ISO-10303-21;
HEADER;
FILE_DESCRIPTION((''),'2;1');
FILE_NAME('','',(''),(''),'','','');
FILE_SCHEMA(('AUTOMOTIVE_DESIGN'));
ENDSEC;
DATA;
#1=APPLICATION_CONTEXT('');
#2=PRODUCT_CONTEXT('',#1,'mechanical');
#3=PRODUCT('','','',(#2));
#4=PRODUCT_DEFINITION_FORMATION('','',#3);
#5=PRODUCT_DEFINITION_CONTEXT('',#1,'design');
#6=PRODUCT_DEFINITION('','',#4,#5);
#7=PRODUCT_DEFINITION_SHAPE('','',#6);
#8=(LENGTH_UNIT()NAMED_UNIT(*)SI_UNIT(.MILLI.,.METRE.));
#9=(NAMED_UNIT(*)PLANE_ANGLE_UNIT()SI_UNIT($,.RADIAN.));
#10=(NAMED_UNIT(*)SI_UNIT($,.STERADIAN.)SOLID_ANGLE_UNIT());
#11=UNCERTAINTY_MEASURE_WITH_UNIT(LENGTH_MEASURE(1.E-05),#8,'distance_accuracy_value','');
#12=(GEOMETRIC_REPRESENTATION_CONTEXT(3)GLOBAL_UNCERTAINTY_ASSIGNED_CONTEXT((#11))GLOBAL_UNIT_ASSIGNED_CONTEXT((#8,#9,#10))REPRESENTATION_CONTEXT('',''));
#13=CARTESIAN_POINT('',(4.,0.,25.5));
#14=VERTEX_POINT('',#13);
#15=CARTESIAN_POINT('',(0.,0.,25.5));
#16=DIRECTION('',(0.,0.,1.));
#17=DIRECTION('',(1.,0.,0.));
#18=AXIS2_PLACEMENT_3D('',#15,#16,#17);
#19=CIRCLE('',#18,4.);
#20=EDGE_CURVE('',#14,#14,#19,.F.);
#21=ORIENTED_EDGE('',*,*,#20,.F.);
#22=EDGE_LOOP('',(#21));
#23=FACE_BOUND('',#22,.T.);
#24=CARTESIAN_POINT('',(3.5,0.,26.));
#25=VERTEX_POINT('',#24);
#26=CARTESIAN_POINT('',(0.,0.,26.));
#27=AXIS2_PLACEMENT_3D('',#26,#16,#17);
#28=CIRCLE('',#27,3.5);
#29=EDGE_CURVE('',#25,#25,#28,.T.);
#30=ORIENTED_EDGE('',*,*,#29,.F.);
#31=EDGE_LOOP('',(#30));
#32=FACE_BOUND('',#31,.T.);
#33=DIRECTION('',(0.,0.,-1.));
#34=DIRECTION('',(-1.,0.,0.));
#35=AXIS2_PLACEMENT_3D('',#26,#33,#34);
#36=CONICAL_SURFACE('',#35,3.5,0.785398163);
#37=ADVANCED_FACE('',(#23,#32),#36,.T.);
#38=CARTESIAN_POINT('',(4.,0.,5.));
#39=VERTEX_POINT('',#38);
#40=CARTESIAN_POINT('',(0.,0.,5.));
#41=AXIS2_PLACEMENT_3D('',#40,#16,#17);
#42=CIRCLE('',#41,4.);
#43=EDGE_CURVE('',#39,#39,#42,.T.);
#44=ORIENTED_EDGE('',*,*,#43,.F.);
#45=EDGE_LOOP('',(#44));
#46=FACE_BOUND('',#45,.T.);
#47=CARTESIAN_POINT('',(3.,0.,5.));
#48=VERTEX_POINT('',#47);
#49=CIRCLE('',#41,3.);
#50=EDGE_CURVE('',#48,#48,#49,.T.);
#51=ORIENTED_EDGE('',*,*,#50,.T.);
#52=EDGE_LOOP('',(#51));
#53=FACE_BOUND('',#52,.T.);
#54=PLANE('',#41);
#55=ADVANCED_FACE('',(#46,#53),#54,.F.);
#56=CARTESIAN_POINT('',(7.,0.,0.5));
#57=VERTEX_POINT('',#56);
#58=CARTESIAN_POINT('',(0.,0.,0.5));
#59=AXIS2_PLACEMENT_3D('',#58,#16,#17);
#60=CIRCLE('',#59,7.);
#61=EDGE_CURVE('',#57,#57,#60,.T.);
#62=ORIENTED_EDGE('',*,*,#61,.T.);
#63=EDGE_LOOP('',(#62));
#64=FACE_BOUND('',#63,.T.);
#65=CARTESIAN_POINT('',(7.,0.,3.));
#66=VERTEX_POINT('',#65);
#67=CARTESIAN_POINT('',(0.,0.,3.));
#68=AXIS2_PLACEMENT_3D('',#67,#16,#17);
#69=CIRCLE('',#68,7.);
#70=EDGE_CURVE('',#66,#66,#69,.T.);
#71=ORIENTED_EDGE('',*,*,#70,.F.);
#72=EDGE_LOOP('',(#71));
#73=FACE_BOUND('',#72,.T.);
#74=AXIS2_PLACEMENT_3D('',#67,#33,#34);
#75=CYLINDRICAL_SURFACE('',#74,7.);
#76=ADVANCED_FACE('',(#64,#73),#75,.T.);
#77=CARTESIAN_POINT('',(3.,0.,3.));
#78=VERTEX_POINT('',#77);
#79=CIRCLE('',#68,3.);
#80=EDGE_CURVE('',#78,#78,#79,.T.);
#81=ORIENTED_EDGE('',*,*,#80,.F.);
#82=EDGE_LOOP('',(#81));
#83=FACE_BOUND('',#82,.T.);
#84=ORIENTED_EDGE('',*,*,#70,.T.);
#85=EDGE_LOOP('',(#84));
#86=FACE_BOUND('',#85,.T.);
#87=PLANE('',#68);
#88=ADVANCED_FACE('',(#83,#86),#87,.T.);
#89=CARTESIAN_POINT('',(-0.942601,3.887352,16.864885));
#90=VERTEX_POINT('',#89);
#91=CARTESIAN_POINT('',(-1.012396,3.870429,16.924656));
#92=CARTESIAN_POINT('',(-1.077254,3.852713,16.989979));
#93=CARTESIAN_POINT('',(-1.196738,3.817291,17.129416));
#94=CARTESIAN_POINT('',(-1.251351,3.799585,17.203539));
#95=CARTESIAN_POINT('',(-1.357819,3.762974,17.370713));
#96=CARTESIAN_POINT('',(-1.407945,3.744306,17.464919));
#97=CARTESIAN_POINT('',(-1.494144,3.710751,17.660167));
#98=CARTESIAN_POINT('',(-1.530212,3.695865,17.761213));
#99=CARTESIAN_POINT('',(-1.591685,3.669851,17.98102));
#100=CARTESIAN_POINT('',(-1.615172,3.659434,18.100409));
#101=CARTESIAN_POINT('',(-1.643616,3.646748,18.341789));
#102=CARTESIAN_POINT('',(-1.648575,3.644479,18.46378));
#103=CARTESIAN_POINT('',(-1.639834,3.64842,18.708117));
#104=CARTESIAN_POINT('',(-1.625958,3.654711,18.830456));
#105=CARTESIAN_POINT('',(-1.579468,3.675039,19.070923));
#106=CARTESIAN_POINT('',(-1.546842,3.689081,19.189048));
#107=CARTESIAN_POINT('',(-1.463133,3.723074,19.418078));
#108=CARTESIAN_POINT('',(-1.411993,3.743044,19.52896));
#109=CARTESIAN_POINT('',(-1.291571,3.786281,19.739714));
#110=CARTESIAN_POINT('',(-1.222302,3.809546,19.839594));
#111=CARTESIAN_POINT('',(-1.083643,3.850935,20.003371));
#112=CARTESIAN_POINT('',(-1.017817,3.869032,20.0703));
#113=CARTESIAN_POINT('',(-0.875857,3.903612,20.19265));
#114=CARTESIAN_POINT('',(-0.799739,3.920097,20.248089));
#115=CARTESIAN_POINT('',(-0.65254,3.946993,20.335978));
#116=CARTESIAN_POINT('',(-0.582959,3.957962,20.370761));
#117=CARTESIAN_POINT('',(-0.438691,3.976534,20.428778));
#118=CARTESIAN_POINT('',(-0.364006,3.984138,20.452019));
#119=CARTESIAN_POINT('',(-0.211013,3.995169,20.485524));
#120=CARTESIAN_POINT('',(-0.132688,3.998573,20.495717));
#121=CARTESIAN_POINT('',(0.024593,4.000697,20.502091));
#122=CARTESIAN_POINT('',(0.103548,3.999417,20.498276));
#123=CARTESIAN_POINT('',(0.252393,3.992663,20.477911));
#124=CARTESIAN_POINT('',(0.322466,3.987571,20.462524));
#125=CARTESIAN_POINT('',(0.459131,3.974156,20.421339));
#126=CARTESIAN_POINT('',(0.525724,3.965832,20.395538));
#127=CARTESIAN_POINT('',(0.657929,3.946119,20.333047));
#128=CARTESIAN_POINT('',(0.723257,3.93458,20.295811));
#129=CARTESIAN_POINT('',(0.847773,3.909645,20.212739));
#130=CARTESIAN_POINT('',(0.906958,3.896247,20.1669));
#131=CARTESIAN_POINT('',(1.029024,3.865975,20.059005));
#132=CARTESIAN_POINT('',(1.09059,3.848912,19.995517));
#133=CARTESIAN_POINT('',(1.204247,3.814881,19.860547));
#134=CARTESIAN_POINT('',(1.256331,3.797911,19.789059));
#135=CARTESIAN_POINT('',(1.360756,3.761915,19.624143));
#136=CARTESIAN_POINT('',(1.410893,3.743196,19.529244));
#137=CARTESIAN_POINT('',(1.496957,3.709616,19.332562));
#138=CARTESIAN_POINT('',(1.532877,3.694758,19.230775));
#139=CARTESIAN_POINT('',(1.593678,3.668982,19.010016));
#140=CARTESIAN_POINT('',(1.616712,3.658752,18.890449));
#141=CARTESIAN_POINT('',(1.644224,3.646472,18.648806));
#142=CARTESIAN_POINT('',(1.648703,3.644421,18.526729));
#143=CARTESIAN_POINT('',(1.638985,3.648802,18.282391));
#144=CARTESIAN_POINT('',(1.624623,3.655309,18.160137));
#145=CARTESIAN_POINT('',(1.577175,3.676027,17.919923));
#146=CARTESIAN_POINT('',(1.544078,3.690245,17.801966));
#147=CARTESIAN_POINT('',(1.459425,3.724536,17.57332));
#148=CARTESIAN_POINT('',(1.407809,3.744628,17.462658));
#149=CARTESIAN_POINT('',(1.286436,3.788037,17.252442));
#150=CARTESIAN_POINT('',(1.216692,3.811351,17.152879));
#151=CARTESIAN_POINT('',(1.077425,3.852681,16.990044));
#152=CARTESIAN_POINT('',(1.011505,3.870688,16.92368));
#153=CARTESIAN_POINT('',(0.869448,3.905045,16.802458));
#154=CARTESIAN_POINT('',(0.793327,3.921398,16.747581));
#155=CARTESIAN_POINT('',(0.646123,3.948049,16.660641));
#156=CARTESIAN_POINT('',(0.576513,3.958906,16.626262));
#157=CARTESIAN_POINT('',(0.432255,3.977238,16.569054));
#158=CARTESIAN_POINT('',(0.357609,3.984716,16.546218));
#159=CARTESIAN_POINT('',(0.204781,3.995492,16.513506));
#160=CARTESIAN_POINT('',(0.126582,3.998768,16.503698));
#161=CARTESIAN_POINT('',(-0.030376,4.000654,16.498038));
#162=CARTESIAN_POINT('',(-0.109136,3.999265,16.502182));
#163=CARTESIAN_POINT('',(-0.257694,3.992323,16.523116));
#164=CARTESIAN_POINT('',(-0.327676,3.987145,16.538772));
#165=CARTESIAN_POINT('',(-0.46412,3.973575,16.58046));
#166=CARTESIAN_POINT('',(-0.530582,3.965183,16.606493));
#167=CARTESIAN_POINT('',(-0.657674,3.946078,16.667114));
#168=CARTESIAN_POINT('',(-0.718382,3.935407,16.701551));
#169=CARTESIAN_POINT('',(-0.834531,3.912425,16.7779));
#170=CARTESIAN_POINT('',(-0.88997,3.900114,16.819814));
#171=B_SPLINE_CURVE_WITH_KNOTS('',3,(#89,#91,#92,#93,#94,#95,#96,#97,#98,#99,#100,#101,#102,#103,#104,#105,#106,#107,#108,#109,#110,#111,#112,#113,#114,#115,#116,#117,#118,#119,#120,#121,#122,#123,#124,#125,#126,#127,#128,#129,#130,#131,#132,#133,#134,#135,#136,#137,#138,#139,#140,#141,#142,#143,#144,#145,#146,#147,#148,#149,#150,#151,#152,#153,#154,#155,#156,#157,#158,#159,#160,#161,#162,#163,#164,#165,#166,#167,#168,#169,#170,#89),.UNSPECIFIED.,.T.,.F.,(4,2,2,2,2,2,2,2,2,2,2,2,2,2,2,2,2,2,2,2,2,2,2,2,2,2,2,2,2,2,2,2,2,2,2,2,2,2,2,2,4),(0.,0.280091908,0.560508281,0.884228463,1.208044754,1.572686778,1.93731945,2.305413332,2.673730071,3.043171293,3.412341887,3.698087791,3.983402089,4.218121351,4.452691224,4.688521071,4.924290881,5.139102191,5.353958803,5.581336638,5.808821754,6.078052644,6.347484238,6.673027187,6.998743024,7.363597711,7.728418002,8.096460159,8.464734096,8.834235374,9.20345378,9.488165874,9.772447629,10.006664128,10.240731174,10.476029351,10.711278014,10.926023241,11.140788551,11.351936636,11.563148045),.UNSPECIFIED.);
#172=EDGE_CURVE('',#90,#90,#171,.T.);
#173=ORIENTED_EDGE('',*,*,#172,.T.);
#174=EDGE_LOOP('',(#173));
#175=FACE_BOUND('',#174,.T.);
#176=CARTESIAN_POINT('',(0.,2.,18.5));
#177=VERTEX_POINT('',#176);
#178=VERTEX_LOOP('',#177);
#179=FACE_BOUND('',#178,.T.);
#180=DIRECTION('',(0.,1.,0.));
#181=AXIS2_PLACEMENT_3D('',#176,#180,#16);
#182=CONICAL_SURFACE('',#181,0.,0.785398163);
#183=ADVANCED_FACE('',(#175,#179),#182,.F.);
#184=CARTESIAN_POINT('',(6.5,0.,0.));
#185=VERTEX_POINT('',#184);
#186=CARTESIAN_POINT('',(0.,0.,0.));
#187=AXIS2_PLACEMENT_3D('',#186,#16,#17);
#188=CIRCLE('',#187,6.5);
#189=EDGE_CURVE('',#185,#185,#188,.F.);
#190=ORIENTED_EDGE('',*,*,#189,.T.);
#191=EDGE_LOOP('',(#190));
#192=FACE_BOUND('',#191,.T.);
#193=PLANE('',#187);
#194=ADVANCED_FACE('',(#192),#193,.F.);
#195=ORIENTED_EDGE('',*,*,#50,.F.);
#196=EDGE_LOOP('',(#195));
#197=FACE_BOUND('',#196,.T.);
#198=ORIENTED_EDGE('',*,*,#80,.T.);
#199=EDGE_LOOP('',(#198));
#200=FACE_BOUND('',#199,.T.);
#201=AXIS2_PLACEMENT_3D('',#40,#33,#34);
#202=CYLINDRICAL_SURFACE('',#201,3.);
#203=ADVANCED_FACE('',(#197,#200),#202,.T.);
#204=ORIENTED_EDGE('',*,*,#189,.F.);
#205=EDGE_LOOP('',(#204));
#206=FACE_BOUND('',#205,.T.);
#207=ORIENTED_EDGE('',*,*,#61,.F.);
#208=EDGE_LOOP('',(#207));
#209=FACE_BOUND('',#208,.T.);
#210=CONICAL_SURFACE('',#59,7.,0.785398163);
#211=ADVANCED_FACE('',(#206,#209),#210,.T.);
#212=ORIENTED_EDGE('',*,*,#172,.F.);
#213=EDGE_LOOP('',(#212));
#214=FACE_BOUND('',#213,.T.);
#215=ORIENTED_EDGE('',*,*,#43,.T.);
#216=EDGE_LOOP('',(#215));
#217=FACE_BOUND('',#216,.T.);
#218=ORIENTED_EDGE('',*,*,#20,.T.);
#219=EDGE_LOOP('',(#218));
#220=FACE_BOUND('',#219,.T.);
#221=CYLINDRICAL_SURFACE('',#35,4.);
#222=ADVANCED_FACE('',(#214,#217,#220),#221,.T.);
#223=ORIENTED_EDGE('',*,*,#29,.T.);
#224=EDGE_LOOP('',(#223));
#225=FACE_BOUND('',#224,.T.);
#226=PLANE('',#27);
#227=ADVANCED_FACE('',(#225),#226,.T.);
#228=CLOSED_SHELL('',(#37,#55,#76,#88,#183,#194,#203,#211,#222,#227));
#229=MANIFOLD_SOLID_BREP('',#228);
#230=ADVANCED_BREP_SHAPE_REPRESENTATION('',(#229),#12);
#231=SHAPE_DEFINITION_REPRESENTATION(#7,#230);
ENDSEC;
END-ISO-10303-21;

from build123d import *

# Parameters (mm, degrees)
SKETCH_1_R          = 7
EXTRUDE_1_DEPTH     = 3
SKETCH_2_R          = 4
EXTRUDE_2_DEPTH     = 23
SKETCH_3_OUTSIDE_W  = 22.536
SKETCH_3_OUTSIDE_H  = 22.536
SKETCH_3_OUTSIDE_R  = 3
CUT_EXTRUDE_1_DEPTH = 2
CHAMFER_1_SIZE      = 0.5


with BuildPart() as part:
    # 草图1 → 凸台-拉伸1 (new body)
    with BuildSketch(Plane.XY):
        Circle(SKETCH_1_R)
    extrude(amount=EXTRUDE_1_DEPTH)

    # 草图2 → 凸台-拉伸2 (add)
    with BuildSketch(Plane.XY.offset(3)):
        Circle(SKETCH_2_R)
    extrude(amount=EXTRUDE_2_DEPTH)

    # 草图3 outside → 切除-拉伸1 (cut)
    with BuildSketch(Plane.XY.offset(3)):
        Rectangle(SKETCH_3_OUTSIDE_W, SKETCH_3_OUTSIDE_H)
        Circle(SKETCH_3_OUTSIDE_R, mode=Mode.SUBTRACT)
    extrude(amount=CUT_EXTRUDE_1_DEPTH, mode=Mode.SUBTRACT)

    # 倒角1
    chamfer_1_edges = [part.edges().sort_by_distance(p)[0] for p in [
        (-7, 0, 0),
        (-4, 0, 26),
    ]]
    chamfer(chamfer_1_edges, length=CHAMFER_1_SIZE)

    # 草图4 → 切除-旋转1 (revolve, cut)
    with BuildSketch(Plane(origin=(0, 0, 0), x_dir=(0, 0, -1), z_dir=(1, 0, 0)), mode=Mode.PRIVATE) as cut_revolve_1_sk:
        Polygon((-18.5, 2), (-16.5, 4), (-18.5, 4), align=None)
    revolve(cut_revolve_1_sk.sketch.rotate(Axis((0, 6.943953148, 18.5), (0, -1, 0)), 180), axis=Axis((0, 6.943953148, 18.5), (0, -1, 0)), mode=Mode.SUBTRACT)


solid = part.part
